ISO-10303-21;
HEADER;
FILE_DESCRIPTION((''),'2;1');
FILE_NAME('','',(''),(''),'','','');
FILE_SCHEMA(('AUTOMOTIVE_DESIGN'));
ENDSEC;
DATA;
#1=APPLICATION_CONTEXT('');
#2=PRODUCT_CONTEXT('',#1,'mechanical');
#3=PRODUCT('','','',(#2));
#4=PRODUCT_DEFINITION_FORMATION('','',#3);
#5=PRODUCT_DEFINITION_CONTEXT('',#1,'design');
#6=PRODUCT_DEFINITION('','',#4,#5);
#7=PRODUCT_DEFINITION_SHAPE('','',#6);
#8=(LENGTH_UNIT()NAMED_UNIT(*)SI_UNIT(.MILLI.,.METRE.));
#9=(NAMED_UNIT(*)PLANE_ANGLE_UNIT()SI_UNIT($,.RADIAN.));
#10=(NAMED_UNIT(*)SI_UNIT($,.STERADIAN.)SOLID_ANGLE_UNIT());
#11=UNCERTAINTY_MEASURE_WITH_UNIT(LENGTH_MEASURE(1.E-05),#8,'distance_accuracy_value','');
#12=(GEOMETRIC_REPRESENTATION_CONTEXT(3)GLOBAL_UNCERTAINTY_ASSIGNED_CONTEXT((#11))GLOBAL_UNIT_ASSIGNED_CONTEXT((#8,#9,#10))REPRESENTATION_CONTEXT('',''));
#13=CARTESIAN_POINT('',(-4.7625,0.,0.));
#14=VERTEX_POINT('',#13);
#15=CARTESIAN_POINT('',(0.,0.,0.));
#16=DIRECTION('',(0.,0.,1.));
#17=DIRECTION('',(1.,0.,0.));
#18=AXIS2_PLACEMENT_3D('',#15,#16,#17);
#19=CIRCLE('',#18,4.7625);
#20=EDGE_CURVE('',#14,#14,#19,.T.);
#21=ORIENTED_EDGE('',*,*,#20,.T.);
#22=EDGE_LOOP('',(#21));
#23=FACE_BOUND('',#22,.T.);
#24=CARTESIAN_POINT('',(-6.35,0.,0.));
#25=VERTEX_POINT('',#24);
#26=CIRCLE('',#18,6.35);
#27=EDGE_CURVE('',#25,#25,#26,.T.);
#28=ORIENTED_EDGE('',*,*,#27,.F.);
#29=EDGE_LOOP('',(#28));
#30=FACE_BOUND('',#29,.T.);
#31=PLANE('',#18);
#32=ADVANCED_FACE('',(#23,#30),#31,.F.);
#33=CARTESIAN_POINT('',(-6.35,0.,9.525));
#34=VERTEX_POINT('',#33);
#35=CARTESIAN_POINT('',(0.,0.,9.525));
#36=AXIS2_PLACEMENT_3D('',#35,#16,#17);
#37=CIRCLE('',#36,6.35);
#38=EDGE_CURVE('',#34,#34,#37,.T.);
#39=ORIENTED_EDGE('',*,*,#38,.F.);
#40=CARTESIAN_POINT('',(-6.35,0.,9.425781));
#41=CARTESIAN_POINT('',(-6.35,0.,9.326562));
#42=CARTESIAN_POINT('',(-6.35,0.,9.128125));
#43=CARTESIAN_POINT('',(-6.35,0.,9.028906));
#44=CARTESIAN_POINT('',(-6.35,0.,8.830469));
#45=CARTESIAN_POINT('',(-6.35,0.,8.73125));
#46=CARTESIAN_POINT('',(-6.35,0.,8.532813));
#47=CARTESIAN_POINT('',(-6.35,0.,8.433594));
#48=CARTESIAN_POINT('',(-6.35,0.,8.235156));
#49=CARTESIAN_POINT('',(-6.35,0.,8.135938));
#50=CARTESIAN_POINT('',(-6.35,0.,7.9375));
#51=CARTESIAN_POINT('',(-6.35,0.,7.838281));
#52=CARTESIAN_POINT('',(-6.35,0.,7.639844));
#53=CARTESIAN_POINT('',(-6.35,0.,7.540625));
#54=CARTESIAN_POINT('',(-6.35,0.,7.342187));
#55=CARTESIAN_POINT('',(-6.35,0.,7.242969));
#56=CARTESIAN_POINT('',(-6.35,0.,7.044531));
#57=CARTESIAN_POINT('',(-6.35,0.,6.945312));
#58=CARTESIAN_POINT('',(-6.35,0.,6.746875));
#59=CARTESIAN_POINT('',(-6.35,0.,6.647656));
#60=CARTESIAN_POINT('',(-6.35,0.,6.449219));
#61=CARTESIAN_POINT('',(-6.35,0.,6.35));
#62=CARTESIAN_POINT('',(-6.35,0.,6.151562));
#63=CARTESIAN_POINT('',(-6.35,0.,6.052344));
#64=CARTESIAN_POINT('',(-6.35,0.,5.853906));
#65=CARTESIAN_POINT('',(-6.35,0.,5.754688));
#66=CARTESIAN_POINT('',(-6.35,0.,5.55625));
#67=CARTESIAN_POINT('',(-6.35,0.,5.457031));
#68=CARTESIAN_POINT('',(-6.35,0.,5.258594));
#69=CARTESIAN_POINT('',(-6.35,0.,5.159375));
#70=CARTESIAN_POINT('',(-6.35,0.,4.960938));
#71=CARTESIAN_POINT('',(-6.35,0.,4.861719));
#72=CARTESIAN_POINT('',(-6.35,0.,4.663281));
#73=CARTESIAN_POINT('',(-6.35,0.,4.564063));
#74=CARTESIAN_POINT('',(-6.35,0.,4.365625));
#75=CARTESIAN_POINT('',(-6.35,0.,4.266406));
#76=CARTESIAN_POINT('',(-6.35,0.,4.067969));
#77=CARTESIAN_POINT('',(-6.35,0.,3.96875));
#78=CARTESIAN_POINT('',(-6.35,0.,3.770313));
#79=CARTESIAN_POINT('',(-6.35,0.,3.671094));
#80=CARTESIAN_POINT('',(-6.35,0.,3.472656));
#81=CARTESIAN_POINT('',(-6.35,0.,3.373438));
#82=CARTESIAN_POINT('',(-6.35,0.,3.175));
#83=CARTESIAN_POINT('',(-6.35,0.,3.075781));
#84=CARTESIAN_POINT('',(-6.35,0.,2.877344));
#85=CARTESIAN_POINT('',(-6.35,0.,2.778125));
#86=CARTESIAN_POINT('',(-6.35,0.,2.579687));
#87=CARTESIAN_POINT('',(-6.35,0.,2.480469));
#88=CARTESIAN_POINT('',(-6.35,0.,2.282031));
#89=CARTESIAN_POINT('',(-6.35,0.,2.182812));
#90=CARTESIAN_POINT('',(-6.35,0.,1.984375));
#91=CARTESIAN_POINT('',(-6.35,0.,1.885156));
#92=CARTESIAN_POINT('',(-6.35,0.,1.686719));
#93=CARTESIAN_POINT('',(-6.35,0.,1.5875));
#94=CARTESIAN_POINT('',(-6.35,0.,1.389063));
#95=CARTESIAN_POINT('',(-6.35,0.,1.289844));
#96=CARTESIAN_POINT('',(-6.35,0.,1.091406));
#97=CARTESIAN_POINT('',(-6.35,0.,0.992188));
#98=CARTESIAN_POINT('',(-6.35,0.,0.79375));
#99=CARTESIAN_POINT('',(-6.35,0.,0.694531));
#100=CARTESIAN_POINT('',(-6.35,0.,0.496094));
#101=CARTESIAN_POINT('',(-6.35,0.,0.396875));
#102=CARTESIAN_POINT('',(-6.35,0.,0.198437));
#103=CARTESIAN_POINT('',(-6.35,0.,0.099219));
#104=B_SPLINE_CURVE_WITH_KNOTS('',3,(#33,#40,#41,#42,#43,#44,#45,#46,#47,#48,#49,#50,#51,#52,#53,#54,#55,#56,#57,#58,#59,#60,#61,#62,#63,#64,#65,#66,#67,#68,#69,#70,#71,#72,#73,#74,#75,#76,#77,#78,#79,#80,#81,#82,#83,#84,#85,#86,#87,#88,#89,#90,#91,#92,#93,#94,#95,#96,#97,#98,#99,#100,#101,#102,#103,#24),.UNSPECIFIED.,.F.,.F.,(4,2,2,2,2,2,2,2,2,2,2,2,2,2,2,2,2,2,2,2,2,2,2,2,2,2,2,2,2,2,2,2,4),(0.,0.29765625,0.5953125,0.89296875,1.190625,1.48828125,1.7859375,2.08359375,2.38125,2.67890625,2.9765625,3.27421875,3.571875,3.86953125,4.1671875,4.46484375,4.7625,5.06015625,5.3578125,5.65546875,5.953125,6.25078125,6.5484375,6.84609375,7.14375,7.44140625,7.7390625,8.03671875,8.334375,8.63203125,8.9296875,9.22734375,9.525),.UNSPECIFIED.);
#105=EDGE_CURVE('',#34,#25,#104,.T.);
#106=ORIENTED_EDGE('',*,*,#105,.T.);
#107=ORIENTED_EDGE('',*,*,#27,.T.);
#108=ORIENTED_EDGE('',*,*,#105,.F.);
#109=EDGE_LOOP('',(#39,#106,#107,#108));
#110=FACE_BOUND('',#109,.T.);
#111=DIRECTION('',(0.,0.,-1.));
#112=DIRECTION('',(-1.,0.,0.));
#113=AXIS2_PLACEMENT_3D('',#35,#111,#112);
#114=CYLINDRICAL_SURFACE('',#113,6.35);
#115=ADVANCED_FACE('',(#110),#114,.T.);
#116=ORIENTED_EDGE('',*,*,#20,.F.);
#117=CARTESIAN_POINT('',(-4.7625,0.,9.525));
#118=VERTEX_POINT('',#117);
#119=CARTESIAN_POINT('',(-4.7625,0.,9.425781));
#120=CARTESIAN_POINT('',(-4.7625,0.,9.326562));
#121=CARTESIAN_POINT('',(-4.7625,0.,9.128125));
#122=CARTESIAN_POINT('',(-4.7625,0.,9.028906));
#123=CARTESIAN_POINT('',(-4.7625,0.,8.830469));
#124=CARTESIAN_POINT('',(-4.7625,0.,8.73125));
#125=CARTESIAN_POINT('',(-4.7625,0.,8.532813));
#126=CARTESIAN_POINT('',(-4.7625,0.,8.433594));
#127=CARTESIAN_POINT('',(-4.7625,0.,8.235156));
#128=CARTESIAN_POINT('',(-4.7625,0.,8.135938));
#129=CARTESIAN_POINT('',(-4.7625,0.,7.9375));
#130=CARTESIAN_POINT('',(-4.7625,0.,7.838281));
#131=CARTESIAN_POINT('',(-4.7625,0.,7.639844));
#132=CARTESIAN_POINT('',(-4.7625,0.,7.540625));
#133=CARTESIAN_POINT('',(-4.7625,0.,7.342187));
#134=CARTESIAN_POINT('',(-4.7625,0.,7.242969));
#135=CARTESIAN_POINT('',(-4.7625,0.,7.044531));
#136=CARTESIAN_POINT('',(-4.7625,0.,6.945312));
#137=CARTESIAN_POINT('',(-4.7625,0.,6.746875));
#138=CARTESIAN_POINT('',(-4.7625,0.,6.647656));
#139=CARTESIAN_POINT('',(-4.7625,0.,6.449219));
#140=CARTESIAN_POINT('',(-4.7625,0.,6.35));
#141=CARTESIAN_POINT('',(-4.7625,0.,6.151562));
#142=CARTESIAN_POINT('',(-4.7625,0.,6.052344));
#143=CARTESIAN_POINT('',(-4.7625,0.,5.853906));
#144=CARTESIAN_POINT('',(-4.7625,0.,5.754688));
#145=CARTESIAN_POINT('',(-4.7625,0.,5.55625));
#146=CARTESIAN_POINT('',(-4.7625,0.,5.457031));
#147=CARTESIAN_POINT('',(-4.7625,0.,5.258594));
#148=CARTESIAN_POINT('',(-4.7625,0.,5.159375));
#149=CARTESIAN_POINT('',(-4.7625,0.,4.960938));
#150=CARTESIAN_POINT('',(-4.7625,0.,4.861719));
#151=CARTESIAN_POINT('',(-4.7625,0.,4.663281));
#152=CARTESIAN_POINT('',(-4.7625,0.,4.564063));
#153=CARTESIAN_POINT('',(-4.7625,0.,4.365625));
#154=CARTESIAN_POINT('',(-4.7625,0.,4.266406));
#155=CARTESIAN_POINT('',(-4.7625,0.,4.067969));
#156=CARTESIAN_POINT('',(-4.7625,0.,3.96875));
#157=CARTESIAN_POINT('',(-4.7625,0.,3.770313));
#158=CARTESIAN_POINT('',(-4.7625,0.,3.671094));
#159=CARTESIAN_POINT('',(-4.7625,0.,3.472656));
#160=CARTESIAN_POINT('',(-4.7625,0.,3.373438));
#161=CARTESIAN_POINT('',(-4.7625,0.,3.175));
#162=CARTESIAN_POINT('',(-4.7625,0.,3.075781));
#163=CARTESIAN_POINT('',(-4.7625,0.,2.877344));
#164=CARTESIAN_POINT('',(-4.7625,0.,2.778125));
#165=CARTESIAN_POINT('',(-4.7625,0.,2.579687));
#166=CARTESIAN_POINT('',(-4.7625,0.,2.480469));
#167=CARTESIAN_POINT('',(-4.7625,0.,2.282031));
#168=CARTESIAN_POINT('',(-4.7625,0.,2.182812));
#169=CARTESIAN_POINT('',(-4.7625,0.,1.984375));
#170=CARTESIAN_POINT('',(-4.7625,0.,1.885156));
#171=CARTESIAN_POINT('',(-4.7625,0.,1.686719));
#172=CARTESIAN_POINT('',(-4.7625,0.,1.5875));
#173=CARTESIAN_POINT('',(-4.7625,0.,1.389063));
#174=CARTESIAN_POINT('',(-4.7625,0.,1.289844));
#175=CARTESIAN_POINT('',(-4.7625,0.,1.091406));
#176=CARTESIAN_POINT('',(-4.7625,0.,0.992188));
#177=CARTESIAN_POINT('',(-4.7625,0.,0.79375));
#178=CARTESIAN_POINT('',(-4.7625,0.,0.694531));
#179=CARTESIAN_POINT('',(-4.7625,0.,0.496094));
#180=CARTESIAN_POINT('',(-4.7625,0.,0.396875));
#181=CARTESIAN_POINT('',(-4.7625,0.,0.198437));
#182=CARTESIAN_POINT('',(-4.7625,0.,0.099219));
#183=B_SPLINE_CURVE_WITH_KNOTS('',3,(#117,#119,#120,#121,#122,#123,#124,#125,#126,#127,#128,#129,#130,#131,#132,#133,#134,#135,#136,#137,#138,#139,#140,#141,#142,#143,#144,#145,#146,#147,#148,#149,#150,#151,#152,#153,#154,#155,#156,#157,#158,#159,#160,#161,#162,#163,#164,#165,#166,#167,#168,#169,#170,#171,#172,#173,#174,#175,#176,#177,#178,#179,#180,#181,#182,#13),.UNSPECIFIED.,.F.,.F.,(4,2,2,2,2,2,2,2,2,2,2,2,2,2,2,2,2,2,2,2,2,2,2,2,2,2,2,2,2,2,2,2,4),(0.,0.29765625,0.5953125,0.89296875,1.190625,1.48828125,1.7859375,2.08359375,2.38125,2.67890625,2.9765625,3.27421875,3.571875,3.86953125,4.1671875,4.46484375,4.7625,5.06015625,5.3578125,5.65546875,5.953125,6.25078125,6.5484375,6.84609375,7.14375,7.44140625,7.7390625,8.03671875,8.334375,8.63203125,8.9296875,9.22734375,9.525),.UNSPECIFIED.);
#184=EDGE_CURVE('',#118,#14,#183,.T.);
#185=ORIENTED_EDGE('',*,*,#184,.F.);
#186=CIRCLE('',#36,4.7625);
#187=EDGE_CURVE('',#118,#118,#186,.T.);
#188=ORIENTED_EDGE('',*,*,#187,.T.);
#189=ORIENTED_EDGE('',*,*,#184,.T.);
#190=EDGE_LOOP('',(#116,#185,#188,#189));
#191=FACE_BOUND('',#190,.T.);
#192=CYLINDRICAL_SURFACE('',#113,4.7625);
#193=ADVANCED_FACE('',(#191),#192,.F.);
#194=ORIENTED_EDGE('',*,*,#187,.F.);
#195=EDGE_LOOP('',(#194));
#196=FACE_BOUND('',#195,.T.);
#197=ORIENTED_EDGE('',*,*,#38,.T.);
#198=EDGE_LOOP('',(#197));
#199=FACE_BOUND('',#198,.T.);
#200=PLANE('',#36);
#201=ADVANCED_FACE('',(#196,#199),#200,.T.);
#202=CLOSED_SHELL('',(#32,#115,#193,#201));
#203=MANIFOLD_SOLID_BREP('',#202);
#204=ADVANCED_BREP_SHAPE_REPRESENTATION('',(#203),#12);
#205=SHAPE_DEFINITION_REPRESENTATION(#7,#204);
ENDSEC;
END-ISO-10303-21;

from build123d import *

# Parameters (mm, degrees)
SKETCH1_R           = 6.35
SKETCH1_R_2         = 4.7625
BOSS_EXTRUDE1_DEPTH = 9.525


with BuildPart() as part:
    # Sketch1 → Boss-Extrude1 (new body)
    with BuildSketch(Plane.XY):
        with Locations(Location((0, 0, 0), (0, 0, 180))):
            Circle(SKETCH1_R)
        with Locations(Location((0, 0, 0), (0, 0, 180))):
            Circle(SKETCH1_R_2, mode=Mode.SUBTRACT)
    extrude(amount=BOSS_EXTRUDE1_DEPTH)


solid = part.part
